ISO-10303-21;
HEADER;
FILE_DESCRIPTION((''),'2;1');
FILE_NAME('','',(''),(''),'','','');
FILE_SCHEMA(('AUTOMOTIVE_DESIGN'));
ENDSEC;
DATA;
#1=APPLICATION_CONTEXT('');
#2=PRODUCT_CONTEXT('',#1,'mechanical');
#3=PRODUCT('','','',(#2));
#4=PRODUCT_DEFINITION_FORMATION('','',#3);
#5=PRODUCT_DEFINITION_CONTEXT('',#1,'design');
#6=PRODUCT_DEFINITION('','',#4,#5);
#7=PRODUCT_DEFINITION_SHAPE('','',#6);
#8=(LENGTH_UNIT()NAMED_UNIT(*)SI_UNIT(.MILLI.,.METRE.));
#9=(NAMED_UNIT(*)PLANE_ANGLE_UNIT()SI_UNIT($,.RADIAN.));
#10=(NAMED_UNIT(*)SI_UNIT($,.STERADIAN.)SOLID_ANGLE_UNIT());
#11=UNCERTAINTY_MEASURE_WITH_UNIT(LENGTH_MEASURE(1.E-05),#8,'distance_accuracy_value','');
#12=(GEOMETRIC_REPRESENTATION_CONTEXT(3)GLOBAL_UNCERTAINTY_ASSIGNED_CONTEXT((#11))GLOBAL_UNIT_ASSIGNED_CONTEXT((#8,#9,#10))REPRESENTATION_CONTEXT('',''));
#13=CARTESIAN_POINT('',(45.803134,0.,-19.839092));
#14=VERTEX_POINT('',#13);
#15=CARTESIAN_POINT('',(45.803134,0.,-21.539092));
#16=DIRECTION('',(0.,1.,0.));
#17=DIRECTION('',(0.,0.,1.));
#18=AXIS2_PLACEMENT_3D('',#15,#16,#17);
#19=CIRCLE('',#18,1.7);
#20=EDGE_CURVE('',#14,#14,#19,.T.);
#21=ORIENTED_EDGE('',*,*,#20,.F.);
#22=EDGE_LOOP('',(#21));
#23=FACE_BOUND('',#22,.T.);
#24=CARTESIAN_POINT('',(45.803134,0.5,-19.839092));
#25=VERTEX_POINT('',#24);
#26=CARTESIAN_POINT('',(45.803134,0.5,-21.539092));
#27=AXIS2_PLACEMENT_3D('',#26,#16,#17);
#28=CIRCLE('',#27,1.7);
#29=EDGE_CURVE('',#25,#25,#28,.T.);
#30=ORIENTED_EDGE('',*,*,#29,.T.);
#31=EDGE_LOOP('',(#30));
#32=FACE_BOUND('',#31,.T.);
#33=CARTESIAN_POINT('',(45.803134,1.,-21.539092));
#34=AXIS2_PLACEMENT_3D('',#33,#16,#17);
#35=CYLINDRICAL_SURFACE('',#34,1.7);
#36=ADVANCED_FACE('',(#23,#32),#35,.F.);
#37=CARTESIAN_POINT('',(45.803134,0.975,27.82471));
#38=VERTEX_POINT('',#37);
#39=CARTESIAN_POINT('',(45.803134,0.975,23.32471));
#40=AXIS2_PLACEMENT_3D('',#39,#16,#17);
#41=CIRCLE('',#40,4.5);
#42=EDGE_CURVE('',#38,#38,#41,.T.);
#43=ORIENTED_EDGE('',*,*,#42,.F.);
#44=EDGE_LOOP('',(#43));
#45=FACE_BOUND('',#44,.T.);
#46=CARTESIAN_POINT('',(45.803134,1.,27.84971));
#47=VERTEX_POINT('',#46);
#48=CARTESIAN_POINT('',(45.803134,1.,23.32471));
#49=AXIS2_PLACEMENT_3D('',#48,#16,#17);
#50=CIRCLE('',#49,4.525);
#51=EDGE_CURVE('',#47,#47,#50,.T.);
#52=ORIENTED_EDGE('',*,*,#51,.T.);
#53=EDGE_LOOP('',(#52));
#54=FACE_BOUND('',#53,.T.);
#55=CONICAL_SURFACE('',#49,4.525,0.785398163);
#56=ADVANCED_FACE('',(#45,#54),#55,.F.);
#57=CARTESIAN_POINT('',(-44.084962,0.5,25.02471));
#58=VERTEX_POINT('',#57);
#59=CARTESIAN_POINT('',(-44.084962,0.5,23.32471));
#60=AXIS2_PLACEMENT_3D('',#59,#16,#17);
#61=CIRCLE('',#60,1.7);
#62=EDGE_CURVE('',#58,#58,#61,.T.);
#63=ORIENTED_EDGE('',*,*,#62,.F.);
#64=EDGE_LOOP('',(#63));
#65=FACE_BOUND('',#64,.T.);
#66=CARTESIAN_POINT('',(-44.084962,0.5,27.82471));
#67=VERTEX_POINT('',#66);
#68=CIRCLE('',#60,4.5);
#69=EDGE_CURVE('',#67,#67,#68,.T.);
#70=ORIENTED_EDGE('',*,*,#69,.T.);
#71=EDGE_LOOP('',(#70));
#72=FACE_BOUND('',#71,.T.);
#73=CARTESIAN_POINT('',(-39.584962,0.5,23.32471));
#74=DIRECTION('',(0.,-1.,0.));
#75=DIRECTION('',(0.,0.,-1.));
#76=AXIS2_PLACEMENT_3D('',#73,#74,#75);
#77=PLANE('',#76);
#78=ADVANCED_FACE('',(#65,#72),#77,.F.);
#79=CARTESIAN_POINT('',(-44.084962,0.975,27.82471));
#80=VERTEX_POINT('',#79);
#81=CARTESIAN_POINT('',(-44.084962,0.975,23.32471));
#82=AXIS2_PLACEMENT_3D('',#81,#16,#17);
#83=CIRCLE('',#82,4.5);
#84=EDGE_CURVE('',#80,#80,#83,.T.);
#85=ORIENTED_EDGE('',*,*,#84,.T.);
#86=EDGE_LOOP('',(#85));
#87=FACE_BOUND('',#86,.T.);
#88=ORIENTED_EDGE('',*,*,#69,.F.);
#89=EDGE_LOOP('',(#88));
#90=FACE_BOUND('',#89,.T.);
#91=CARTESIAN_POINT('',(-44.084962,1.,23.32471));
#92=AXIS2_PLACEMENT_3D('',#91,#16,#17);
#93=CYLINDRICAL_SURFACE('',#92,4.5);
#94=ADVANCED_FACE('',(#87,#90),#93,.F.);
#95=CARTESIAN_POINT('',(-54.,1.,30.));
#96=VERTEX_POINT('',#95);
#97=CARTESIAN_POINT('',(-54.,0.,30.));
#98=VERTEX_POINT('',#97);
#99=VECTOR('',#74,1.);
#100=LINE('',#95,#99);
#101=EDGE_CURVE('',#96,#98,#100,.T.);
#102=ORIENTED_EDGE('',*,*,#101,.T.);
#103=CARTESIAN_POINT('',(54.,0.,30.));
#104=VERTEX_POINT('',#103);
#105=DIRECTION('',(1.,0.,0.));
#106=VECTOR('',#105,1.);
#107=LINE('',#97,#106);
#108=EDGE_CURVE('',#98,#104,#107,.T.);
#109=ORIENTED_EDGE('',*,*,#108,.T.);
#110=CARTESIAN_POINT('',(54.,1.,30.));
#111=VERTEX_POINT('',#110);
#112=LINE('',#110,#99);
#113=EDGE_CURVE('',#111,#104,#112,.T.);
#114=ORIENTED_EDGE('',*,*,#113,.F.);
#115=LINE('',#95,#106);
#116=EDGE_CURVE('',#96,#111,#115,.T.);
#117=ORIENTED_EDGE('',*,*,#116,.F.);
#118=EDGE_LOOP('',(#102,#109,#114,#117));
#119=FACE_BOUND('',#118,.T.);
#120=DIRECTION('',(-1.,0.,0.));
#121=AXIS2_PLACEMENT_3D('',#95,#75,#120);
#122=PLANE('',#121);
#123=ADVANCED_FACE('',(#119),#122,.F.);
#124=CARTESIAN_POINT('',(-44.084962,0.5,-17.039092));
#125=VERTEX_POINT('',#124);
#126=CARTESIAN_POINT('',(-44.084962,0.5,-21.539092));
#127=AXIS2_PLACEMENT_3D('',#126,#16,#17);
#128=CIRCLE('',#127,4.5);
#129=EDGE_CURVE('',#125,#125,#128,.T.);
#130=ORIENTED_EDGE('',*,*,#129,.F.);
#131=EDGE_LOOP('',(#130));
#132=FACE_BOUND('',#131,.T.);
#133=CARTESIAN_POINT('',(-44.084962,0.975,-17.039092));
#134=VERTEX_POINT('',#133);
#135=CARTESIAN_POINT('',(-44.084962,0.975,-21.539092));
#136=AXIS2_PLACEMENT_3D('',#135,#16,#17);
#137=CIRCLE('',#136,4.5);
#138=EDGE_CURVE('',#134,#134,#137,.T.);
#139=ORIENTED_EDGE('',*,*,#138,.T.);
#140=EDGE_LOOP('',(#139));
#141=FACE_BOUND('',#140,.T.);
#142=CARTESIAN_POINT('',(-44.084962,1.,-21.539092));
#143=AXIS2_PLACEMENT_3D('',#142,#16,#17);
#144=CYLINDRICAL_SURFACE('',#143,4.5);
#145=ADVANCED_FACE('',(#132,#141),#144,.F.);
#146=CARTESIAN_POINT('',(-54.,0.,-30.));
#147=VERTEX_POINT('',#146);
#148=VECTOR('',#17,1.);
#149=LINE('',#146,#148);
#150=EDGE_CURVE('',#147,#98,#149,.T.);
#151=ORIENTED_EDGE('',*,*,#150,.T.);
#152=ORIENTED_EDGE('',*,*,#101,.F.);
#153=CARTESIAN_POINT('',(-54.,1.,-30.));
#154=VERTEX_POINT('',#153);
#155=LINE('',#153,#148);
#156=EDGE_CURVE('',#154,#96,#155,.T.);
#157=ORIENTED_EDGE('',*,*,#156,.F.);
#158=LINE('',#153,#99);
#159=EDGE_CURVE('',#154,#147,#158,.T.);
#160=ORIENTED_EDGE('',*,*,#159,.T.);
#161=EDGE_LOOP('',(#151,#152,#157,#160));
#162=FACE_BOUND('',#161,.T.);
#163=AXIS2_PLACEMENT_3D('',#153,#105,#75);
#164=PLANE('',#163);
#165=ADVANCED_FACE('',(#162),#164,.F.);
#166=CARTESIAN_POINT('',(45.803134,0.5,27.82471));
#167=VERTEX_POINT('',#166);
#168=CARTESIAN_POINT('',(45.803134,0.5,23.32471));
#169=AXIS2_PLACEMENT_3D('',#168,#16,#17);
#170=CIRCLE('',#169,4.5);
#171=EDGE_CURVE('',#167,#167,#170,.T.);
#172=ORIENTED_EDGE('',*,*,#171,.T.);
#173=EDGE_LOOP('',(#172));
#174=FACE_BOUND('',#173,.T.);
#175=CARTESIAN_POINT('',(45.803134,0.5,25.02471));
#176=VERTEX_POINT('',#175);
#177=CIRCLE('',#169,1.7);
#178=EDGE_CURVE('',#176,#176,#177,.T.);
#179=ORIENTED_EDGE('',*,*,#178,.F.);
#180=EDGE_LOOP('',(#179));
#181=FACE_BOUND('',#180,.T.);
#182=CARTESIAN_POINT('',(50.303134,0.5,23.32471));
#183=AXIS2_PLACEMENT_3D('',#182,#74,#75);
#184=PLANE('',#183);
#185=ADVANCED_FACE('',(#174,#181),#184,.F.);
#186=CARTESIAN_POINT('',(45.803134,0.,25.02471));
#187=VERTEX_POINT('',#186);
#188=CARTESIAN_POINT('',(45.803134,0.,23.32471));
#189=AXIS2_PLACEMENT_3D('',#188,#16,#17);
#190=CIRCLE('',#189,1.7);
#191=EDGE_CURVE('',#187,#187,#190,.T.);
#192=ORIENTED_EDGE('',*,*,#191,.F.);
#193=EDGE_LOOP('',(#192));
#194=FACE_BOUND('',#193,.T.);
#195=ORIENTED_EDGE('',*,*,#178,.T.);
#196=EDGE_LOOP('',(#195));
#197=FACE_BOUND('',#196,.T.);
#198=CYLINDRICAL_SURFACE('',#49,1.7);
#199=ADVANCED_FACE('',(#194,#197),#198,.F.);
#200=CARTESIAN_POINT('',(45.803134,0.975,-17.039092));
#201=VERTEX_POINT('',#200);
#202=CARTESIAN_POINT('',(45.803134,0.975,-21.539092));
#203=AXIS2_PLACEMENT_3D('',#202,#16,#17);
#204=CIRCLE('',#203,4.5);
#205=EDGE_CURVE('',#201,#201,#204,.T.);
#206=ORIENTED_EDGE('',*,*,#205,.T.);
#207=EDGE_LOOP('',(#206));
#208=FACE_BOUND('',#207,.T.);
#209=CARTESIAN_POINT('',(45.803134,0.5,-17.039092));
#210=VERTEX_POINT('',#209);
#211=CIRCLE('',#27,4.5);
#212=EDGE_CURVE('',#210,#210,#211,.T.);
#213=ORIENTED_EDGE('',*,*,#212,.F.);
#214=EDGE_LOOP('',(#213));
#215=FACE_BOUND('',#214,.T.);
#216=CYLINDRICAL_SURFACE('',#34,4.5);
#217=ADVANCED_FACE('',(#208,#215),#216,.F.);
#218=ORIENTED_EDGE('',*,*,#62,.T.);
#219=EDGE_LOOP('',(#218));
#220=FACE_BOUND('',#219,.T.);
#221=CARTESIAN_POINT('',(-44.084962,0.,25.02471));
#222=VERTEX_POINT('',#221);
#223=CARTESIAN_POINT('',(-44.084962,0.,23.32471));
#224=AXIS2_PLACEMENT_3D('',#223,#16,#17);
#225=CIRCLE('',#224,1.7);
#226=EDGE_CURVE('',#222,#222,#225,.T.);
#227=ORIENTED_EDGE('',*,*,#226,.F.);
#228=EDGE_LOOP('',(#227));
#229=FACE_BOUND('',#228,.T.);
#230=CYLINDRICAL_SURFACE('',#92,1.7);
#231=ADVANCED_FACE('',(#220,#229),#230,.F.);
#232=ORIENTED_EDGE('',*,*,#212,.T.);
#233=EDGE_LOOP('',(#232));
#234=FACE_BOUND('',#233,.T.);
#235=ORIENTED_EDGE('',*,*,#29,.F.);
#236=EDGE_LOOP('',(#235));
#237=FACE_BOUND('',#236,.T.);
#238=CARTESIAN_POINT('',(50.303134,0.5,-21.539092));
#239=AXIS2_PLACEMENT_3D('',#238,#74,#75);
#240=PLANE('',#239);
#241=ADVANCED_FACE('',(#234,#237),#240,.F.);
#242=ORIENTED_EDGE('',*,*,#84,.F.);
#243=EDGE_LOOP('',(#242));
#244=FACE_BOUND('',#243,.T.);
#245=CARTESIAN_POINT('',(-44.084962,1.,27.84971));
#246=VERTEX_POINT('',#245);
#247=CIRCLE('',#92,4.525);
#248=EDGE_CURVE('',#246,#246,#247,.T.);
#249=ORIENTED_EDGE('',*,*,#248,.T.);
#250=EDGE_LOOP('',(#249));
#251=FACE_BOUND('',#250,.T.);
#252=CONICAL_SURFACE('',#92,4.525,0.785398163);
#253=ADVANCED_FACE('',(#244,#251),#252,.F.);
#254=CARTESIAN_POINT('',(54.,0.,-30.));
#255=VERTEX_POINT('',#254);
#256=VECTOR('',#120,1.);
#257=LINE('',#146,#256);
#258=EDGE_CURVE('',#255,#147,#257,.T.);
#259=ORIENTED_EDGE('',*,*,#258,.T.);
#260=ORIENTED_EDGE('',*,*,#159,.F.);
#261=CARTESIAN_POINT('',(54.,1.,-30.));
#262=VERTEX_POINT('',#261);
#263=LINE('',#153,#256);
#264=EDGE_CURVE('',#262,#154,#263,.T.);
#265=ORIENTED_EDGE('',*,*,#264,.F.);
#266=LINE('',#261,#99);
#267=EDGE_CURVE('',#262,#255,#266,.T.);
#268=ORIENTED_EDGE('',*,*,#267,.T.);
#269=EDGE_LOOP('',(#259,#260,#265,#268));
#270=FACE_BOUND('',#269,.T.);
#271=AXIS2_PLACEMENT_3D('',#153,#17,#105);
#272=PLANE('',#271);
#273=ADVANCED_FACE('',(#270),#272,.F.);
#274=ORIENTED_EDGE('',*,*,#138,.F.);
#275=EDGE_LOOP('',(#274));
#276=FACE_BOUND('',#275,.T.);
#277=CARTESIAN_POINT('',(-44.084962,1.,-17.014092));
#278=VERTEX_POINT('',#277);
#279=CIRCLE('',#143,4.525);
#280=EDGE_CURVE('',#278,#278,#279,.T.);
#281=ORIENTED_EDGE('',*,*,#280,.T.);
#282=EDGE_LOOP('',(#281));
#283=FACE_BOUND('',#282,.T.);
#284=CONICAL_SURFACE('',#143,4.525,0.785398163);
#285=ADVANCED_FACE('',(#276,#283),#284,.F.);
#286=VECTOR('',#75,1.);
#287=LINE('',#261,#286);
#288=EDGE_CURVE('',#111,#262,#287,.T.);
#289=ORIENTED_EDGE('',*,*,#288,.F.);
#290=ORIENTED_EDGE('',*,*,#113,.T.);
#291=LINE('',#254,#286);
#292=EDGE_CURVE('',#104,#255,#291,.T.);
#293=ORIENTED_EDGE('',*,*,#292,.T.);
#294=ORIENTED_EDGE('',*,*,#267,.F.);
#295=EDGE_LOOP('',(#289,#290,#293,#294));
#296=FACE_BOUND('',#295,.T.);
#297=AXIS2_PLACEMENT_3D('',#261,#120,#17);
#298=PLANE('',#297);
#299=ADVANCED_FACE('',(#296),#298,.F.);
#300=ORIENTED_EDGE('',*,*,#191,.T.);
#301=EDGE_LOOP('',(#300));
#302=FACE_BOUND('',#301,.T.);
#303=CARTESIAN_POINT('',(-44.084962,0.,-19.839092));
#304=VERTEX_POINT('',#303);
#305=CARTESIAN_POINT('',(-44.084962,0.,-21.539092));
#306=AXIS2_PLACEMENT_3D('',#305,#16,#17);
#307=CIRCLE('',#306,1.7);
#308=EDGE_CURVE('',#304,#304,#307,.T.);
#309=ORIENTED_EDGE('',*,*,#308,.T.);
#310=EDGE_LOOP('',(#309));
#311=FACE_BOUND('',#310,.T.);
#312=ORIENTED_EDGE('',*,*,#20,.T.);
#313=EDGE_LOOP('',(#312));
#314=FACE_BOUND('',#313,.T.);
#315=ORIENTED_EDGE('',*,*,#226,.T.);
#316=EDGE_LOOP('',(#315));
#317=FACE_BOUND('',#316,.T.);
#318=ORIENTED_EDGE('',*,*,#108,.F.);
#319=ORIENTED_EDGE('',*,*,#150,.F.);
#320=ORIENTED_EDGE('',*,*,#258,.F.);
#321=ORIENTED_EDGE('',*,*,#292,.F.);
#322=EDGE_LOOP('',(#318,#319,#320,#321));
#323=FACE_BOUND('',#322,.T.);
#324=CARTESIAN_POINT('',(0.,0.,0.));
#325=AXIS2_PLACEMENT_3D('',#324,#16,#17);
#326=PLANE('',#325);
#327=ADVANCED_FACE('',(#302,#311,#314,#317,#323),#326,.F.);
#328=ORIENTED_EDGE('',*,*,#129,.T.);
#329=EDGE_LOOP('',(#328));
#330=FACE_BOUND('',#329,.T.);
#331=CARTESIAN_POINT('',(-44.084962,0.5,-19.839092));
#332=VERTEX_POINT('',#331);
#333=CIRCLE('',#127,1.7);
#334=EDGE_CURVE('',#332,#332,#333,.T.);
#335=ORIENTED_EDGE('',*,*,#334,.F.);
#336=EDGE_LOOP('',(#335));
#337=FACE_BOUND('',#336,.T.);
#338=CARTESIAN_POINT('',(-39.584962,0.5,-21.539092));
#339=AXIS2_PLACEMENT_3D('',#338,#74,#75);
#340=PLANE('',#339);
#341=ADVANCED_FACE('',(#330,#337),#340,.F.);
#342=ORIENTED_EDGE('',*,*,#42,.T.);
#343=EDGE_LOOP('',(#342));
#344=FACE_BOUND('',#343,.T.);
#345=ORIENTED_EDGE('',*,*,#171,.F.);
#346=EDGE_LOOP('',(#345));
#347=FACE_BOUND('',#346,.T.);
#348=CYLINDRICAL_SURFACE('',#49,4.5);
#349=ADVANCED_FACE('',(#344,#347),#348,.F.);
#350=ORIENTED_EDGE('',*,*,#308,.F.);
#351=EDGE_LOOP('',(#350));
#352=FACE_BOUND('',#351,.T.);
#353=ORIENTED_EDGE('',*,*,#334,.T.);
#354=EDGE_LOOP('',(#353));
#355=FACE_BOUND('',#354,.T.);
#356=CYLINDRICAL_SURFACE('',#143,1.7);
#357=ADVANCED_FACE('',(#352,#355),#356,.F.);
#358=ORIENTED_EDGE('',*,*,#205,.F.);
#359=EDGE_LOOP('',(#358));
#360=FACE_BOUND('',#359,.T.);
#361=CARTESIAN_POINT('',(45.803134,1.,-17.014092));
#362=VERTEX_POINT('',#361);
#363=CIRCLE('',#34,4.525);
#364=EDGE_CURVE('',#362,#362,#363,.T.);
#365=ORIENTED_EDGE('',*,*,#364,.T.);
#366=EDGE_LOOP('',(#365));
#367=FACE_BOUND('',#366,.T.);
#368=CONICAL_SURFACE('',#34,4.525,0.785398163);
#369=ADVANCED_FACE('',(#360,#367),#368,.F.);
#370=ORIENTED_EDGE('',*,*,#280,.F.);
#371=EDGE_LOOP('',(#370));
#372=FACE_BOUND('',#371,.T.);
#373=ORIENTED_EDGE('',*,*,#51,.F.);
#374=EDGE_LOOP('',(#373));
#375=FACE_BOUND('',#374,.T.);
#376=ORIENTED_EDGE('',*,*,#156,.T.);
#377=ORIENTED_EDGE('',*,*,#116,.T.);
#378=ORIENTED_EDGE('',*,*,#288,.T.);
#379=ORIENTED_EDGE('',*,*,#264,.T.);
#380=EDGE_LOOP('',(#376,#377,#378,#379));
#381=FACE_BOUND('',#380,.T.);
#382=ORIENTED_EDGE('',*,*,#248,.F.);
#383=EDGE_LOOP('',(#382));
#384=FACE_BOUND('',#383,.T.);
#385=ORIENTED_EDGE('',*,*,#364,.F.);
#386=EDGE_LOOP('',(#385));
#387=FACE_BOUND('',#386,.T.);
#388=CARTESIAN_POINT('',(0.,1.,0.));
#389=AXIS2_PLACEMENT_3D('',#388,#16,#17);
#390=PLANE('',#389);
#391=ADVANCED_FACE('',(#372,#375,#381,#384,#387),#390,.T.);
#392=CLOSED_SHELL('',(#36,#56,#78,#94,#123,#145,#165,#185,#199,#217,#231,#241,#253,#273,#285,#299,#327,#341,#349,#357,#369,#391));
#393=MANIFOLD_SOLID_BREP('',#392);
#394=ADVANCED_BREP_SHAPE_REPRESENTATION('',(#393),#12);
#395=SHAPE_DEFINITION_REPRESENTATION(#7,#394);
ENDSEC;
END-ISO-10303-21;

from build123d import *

# Parameters (mm, degrees)
SKETCH_2_W                  = 108
SKETCH_2_H                  = 60
EXTRUDE_1_DEPTH             = 1
HOLE_WIZARD_M3_1_AT_2_COUNT = 2
HOLE_WIZARD_M3_1_AT_2_PITCH = 89.888096236
HOLE_WIZARD_M3_1_AT_3_COUNT = 2
HOLE_WIZARD_M3_1_AT_3_PITCH = 44.863801861
HOLE_WIZARD_M3_1_AT_4_COUNT = 2
HOLE_WIZARD_M3_1_AT_4_PITCH = 100.462085198


with BuildPart() as part:
    # 草图2 → 凸台-拉伸1 (new body)
    with BuildSketch(Plane(origin=(0, 0, 0), x_dir=(1, 0, 0), z_dir=(0, 1, 0))):
        Rectangle(SKETCH_2_W, SKETCH_2_H)
    extrude(amount=EXTRUDE_1_DEPTH)

    # 草图4 → M3 六角头螺栓的柱形沉头孔1 (revolve, cut)
    with BuildSketch(Plane(origin=(-44.084962343, 1, -21.539091549), x_dir=(0, 0, 1), z_dir=(1, 0, 0))):
        Polygon((0, 0), (0, 1), (1.7, 1), (1.7, 0.5), (4.5, 0.5), (4.5, 0.025), (4.525, 0), align=None)
    hole_wizard_m3_1 = revolve(axis=Axis((-44.084962343, 7.35, -21.539091549), (0, -1, 0)), mode=Mode.SUBTRACT)

    # M3 六角头螺栓的柱形沉头孔1 at 2: M3 六角头螺栓的柱形沉头孔1 ×2
    with Locations(*[(i * HOLE_WIZARD_M3_1_AT_2_PITCH, 0, 0) for i in range(1, HOLE_WIZARD_M3_1_AT_2_COUNT)]):
        add(hole_wizard_m3_1, mode=Mode.SUBTRACT)

    # M3 六角头螺栓的柱形沉头孔1 at 3: M3 六角头螺栓的柱形沉头孔1 ×2
    with Locations(*[(0, 0, i * HOLE_WIZARD_M3_1_AT_3_PITCH) for i in range(1, HOLE_WIZARD_M3_1_AT_3_COUNT)]):
        add(hole_wizard_m3_1, mode=Mode.SUBTRACT)

    # M3 六角头螺栓的柱形沉头孔1 at 4: M3 六角头螺栓的柱形沉头孔1 ×2
    with Locations(*[Vector(0.894746471, 0, 0.446574464) * (i * HOLE_WIZARD_M3_1_AT_4_PITCH) for i in range(1, HOLE_WIZARD_M3_1_AT_4_COUNT)]):
        add(hole_wizard_m3_1, mode=Mode.SUBTRACT)


solid = part.part
